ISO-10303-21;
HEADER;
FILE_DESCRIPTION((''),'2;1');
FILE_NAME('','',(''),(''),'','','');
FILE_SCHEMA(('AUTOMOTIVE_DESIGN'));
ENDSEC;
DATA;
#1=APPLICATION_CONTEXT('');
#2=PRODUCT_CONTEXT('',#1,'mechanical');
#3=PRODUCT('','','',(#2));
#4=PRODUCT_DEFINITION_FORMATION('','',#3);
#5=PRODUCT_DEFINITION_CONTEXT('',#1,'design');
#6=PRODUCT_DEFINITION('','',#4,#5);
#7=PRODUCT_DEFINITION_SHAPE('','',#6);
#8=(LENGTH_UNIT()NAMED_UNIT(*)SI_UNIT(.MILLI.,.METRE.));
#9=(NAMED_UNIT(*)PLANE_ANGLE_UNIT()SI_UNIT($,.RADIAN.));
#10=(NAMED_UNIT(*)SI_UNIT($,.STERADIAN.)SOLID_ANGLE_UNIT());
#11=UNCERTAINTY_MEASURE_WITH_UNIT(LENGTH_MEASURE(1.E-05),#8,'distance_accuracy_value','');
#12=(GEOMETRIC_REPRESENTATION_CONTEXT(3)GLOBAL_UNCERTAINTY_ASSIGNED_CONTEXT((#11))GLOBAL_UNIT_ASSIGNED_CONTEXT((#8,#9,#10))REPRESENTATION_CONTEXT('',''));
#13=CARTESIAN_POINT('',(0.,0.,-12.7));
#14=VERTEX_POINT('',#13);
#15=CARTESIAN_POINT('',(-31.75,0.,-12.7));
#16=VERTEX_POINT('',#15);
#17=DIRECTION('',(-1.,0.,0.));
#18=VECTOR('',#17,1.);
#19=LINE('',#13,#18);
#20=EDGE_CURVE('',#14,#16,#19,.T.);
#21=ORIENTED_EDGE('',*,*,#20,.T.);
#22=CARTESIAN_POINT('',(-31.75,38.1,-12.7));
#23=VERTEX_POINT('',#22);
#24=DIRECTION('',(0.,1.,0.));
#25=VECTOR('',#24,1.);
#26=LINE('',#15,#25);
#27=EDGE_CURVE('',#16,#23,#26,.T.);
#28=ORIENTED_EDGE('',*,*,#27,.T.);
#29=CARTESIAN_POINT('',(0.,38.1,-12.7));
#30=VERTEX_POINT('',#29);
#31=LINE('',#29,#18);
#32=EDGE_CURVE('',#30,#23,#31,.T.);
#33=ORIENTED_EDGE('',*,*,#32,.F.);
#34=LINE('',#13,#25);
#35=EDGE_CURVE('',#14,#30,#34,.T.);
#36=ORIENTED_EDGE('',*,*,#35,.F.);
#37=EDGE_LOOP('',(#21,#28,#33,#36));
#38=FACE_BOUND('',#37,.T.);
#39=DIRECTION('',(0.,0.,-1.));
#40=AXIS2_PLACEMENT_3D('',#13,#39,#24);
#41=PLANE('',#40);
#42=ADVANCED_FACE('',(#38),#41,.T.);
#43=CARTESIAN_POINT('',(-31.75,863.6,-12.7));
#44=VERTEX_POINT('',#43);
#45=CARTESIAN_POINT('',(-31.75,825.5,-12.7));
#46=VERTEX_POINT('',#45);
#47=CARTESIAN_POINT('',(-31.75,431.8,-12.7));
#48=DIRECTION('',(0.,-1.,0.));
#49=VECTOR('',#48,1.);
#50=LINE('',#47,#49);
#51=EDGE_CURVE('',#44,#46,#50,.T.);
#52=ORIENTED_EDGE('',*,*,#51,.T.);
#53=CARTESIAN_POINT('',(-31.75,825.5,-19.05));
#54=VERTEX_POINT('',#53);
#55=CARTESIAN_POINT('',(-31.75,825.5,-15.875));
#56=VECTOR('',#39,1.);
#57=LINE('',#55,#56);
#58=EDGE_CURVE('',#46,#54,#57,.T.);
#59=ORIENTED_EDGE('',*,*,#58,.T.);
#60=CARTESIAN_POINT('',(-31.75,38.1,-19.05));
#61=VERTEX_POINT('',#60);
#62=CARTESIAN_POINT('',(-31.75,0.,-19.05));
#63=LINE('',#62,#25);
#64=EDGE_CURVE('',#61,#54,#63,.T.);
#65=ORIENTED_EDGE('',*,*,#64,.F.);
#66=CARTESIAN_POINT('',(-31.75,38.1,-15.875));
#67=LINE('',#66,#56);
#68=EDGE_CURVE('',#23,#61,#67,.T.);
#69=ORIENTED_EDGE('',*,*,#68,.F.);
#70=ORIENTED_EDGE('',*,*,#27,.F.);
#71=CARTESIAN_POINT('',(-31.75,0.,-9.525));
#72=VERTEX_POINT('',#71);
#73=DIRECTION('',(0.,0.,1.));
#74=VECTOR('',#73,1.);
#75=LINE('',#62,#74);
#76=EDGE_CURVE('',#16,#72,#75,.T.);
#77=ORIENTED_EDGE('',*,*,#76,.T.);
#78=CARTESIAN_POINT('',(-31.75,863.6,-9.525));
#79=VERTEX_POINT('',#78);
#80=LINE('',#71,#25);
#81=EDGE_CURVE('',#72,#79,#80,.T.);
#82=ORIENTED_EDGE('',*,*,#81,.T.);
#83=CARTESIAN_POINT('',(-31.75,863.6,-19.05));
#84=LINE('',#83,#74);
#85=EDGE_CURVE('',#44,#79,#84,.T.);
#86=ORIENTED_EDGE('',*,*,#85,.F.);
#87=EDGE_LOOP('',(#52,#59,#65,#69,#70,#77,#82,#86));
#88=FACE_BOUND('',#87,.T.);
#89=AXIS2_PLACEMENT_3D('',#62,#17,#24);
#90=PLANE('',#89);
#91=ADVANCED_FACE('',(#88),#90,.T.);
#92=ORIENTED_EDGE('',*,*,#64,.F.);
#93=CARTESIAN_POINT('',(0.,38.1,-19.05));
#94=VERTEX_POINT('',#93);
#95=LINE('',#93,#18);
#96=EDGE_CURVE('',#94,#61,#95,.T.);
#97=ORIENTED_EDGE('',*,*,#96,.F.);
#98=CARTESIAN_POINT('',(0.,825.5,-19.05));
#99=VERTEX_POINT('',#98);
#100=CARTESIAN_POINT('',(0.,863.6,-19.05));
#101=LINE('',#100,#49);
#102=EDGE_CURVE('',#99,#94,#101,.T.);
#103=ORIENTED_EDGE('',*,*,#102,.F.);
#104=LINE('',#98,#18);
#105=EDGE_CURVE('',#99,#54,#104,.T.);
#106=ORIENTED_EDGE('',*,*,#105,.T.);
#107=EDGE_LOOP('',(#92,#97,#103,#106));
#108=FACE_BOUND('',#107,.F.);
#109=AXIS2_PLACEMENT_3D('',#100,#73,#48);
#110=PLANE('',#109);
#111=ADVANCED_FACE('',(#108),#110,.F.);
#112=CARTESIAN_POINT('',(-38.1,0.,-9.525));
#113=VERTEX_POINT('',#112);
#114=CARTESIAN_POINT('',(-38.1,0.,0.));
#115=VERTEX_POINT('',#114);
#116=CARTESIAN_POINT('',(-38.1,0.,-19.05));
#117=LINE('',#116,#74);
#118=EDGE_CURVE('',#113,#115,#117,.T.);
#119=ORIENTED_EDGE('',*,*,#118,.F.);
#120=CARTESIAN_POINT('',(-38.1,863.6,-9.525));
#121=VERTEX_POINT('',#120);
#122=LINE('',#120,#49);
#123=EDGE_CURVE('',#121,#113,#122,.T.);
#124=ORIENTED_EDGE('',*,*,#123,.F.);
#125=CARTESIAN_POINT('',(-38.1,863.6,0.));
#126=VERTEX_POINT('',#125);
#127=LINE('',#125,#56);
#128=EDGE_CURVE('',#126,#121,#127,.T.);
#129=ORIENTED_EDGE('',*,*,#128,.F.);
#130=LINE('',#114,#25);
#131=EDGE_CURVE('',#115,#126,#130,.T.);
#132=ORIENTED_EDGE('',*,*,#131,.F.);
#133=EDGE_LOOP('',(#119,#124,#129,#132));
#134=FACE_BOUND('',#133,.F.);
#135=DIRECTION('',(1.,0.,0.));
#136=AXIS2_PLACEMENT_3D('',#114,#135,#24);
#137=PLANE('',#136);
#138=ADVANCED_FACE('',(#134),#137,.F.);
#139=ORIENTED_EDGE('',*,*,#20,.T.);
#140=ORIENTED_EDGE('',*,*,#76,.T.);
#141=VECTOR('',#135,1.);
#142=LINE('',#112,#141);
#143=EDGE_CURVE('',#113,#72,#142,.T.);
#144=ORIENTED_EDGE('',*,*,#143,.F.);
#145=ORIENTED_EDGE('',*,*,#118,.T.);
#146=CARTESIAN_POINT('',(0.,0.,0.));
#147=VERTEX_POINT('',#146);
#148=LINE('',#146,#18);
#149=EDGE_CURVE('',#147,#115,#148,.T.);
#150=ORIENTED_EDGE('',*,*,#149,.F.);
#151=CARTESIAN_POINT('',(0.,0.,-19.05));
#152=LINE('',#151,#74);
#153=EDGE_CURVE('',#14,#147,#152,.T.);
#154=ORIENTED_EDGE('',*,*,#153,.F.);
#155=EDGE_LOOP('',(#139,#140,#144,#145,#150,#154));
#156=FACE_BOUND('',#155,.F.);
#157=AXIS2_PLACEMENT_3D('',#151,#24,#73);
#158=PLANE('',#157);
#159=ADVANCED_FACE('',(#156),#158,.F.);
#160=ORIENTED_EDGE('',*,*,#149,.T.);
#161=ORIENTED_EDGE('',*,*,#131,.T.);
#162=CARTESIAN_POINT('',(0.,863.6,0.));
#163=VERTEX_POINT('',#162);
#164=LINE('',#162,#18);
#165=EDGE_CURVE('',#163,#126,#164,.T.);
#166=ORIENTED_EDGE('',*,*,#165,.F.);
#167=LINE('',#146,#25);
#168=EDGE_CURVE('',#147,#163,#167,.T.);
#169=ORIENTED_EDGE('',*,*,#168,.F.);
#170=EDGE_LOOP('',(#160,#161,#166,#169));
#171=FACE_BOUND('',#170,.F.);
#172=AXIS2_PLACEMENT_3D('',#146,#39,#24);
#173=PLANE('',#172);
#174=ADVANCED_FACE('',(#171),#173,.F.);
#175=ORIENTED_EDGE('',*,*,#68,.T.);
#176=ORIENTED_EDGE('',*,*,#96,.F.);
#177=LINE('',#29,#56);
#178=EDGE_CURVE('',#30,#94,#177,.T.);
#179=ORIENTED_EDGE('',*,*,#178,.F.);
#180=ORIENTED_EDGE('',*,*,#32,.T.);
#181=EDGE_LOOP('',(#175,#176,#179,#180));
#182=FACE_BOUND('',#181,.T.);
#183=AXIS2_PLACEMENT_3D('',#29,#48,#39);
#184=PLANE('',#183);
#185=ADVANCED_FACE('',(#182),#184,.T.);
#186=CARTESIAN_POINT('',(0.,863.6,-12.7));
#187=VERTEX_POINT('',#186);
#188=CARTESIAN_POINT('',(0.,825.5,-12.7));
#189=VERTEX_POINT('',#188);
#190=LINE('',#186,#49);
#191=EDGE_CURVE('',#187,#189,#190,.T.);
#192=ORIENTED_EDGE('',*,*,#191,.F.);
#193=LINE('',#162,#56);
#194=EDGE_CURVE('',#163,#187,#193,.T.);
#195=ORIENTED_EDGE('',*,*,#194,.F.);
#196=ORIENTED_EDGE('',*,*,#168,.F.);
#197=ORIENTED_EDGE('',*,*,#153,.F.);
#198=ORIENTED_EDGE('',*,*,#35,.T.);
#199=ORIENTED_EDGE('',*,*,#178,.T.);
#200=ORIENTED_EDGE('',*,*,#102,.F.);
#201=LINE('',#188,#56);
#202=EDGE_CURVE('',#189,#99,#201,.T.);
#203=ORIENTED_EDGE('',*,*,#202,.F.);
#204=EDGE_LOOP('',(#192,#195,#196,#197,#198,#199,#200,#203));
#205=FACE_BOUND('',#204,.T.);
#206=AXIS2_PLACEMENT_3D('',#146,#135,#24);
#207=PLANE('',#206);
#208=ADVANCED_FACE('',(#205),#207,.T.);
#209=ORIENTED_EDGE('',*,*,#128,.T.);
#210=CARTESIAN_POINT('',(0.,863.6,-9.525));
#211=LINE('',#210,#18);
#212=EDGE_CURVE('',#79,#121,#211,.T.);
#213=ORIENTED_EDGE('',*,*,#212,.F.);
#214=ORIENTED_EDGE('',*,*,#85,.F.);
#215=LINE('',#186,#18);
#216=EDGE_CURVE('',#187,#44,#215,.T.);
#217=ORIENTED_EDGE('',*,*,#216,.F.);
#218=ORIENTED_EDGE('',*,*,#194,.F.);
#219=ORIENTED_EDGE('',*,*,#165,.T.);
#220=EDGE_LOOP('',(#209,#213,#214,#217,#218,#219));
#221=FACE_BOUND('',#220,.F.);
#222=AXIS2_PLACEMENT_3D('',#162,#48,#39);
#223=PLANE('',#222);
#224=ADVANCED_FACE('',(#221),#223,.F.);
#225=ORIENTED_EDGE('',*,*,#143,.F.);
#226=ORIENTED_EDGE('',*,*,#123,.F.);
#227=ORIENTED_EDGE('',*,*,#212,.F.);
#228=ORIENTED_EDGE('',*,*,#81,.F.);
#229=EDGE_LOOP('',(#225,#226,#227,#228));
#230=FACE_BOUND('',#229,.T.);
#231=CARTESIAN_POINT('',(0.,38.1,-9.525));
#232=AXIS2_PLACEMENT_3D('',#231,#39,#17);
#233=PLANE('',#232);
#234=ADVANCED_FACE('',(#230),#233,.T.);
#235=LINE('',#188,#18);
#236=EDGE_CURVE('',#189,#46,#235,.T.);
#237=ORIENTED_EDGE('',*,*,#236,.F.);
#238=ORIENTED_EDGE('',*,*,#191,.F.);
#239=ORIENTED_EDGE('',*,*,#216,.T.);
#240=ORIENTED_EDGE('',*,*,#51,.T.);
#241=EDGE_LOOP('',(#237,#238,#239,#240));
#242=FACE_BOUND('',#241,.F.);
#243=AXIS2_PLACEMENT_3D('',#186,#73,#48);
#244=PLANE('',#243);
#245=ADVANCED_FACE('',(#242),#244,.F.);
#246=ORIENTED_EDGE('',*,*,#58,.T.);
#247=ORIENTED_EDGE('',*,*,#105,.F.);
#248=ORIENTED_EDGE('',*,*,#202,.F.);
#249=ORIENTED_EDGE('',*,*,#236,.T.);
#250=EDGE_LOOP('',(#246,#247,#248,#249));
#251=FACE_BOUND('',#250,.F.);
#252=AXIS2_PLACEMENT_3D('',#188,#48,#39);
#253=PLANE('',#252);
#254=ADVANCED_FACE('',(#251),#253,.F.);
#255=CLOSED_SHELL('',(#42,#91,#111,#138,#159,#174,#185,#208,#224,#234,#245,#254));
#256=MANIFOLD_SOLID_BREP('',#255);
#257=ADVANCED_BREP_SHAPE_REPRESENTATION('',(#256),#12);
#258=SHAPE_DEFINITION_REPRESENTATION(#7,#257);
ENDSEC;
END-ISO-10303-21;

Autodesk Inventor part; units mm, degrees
ref_plane "YZ Plane" through (0, 0, 0) normal (1, 0, 0) x (0, 1, 0)
ref_plane "XZ Plane" through (0, 0, 0) normal (0, 1, 0) x (-1, 0, 0)
ref_plane "XY Plane" through (0, 0, 0) normal (0, 0, 1) x (1, 0, 0)
sketch "Sketch1" plane through (0, 0, 0) normal (1, 0, 0) x (0, 1, 0)
  line L0 (0, 0) -> (863.6, 0)
  line L1 (863.6, 0) -> (863.6, -19.05)
  line L2 (863.6, -19.05) -> (0, -19.05)
  line L3 (0, -19.05) -> (0, 0)
  dimension "d0" = 863.6
  dimension "d1" = 19.05
extrude "Extrusion1" add sketch "Sketch1" against normal blind 38.1
sketch "Sketch2" plane through (0, 0, 0) normal (1, 0, 0) x (0, 0, -1)
  line L0 (19.05, 0) -> (0, 0) projected
  line L1 (19.05, 0) -> (12.7, 0)
  line L2 (12.7, 0) -> (12.7, 38.1)
  line L3 (12.7, 38.1) -> (19.05, 38.1)
  line L4 (19.05, 38.1) -> (19.05, 0)
  point P0 (12.7, 0)
  dimension "d4" = 6.35
  dimension "d5" = 38.1
extrude "Extrusion2" cut sketch "Sketch2" against normal blind 38.1
sketch "Sketch3" plane through (0, 0, 0) normal (1, 0, 0) x (0, 0, -1)
  line L0 (19.05, 38.1) -> (19.05, 863.6) projected
  line L1 (19.05, 863.6) -> (12.7, 863.6)
  line L2 (12.7, 863.6) -> (12.7, 825.5)
  line L3 (12.7, 825.5) -> (19.05, 825.5)
  line L4 (19.05, 825.5) -> (19.05, 863.6)
  point P0 (0, 0)
  dimension "d8" = 6.35
  dimension "d9" = 38.1
extrude "Extrusion3" cut sketch "Sketch3" against normal blind 38.1
sketch "Sketch4" plane through (0, 38.1, -19.05) normal (0, 0, -1) x (-1, 0, 0)
  line L0 (38.1, -38.1) -> (38.1, 825.5) projected
  line L1 (38.1, 0) -> (38.1, -38.1)
  line L2 (38.1, -38.1) -> (31.75, -38.1)
  line L3 (0, -38.1) -> (38.1, -38.1) projected
  line L4 (31.75, -38.1) -> (31.75, 825.5)
  line L5 (0, 825.5) -> (38.1, 825.5) projected
  line L6 (31.75, 825.5) -> (38.1, 825.5)
  line L7 (38.1, 787.4) -> (38.1, 0) projected
  line L8 (38.1, 825.5) -> (38.1, 0)
  dimension "d16" = 6.35
  dimension "d17" = 863.6
extrude "Extrusion4" cut sketch "Sketch4" against normal blind 9.525
properties part number "sidev2" material "Wood (Cherry)"
